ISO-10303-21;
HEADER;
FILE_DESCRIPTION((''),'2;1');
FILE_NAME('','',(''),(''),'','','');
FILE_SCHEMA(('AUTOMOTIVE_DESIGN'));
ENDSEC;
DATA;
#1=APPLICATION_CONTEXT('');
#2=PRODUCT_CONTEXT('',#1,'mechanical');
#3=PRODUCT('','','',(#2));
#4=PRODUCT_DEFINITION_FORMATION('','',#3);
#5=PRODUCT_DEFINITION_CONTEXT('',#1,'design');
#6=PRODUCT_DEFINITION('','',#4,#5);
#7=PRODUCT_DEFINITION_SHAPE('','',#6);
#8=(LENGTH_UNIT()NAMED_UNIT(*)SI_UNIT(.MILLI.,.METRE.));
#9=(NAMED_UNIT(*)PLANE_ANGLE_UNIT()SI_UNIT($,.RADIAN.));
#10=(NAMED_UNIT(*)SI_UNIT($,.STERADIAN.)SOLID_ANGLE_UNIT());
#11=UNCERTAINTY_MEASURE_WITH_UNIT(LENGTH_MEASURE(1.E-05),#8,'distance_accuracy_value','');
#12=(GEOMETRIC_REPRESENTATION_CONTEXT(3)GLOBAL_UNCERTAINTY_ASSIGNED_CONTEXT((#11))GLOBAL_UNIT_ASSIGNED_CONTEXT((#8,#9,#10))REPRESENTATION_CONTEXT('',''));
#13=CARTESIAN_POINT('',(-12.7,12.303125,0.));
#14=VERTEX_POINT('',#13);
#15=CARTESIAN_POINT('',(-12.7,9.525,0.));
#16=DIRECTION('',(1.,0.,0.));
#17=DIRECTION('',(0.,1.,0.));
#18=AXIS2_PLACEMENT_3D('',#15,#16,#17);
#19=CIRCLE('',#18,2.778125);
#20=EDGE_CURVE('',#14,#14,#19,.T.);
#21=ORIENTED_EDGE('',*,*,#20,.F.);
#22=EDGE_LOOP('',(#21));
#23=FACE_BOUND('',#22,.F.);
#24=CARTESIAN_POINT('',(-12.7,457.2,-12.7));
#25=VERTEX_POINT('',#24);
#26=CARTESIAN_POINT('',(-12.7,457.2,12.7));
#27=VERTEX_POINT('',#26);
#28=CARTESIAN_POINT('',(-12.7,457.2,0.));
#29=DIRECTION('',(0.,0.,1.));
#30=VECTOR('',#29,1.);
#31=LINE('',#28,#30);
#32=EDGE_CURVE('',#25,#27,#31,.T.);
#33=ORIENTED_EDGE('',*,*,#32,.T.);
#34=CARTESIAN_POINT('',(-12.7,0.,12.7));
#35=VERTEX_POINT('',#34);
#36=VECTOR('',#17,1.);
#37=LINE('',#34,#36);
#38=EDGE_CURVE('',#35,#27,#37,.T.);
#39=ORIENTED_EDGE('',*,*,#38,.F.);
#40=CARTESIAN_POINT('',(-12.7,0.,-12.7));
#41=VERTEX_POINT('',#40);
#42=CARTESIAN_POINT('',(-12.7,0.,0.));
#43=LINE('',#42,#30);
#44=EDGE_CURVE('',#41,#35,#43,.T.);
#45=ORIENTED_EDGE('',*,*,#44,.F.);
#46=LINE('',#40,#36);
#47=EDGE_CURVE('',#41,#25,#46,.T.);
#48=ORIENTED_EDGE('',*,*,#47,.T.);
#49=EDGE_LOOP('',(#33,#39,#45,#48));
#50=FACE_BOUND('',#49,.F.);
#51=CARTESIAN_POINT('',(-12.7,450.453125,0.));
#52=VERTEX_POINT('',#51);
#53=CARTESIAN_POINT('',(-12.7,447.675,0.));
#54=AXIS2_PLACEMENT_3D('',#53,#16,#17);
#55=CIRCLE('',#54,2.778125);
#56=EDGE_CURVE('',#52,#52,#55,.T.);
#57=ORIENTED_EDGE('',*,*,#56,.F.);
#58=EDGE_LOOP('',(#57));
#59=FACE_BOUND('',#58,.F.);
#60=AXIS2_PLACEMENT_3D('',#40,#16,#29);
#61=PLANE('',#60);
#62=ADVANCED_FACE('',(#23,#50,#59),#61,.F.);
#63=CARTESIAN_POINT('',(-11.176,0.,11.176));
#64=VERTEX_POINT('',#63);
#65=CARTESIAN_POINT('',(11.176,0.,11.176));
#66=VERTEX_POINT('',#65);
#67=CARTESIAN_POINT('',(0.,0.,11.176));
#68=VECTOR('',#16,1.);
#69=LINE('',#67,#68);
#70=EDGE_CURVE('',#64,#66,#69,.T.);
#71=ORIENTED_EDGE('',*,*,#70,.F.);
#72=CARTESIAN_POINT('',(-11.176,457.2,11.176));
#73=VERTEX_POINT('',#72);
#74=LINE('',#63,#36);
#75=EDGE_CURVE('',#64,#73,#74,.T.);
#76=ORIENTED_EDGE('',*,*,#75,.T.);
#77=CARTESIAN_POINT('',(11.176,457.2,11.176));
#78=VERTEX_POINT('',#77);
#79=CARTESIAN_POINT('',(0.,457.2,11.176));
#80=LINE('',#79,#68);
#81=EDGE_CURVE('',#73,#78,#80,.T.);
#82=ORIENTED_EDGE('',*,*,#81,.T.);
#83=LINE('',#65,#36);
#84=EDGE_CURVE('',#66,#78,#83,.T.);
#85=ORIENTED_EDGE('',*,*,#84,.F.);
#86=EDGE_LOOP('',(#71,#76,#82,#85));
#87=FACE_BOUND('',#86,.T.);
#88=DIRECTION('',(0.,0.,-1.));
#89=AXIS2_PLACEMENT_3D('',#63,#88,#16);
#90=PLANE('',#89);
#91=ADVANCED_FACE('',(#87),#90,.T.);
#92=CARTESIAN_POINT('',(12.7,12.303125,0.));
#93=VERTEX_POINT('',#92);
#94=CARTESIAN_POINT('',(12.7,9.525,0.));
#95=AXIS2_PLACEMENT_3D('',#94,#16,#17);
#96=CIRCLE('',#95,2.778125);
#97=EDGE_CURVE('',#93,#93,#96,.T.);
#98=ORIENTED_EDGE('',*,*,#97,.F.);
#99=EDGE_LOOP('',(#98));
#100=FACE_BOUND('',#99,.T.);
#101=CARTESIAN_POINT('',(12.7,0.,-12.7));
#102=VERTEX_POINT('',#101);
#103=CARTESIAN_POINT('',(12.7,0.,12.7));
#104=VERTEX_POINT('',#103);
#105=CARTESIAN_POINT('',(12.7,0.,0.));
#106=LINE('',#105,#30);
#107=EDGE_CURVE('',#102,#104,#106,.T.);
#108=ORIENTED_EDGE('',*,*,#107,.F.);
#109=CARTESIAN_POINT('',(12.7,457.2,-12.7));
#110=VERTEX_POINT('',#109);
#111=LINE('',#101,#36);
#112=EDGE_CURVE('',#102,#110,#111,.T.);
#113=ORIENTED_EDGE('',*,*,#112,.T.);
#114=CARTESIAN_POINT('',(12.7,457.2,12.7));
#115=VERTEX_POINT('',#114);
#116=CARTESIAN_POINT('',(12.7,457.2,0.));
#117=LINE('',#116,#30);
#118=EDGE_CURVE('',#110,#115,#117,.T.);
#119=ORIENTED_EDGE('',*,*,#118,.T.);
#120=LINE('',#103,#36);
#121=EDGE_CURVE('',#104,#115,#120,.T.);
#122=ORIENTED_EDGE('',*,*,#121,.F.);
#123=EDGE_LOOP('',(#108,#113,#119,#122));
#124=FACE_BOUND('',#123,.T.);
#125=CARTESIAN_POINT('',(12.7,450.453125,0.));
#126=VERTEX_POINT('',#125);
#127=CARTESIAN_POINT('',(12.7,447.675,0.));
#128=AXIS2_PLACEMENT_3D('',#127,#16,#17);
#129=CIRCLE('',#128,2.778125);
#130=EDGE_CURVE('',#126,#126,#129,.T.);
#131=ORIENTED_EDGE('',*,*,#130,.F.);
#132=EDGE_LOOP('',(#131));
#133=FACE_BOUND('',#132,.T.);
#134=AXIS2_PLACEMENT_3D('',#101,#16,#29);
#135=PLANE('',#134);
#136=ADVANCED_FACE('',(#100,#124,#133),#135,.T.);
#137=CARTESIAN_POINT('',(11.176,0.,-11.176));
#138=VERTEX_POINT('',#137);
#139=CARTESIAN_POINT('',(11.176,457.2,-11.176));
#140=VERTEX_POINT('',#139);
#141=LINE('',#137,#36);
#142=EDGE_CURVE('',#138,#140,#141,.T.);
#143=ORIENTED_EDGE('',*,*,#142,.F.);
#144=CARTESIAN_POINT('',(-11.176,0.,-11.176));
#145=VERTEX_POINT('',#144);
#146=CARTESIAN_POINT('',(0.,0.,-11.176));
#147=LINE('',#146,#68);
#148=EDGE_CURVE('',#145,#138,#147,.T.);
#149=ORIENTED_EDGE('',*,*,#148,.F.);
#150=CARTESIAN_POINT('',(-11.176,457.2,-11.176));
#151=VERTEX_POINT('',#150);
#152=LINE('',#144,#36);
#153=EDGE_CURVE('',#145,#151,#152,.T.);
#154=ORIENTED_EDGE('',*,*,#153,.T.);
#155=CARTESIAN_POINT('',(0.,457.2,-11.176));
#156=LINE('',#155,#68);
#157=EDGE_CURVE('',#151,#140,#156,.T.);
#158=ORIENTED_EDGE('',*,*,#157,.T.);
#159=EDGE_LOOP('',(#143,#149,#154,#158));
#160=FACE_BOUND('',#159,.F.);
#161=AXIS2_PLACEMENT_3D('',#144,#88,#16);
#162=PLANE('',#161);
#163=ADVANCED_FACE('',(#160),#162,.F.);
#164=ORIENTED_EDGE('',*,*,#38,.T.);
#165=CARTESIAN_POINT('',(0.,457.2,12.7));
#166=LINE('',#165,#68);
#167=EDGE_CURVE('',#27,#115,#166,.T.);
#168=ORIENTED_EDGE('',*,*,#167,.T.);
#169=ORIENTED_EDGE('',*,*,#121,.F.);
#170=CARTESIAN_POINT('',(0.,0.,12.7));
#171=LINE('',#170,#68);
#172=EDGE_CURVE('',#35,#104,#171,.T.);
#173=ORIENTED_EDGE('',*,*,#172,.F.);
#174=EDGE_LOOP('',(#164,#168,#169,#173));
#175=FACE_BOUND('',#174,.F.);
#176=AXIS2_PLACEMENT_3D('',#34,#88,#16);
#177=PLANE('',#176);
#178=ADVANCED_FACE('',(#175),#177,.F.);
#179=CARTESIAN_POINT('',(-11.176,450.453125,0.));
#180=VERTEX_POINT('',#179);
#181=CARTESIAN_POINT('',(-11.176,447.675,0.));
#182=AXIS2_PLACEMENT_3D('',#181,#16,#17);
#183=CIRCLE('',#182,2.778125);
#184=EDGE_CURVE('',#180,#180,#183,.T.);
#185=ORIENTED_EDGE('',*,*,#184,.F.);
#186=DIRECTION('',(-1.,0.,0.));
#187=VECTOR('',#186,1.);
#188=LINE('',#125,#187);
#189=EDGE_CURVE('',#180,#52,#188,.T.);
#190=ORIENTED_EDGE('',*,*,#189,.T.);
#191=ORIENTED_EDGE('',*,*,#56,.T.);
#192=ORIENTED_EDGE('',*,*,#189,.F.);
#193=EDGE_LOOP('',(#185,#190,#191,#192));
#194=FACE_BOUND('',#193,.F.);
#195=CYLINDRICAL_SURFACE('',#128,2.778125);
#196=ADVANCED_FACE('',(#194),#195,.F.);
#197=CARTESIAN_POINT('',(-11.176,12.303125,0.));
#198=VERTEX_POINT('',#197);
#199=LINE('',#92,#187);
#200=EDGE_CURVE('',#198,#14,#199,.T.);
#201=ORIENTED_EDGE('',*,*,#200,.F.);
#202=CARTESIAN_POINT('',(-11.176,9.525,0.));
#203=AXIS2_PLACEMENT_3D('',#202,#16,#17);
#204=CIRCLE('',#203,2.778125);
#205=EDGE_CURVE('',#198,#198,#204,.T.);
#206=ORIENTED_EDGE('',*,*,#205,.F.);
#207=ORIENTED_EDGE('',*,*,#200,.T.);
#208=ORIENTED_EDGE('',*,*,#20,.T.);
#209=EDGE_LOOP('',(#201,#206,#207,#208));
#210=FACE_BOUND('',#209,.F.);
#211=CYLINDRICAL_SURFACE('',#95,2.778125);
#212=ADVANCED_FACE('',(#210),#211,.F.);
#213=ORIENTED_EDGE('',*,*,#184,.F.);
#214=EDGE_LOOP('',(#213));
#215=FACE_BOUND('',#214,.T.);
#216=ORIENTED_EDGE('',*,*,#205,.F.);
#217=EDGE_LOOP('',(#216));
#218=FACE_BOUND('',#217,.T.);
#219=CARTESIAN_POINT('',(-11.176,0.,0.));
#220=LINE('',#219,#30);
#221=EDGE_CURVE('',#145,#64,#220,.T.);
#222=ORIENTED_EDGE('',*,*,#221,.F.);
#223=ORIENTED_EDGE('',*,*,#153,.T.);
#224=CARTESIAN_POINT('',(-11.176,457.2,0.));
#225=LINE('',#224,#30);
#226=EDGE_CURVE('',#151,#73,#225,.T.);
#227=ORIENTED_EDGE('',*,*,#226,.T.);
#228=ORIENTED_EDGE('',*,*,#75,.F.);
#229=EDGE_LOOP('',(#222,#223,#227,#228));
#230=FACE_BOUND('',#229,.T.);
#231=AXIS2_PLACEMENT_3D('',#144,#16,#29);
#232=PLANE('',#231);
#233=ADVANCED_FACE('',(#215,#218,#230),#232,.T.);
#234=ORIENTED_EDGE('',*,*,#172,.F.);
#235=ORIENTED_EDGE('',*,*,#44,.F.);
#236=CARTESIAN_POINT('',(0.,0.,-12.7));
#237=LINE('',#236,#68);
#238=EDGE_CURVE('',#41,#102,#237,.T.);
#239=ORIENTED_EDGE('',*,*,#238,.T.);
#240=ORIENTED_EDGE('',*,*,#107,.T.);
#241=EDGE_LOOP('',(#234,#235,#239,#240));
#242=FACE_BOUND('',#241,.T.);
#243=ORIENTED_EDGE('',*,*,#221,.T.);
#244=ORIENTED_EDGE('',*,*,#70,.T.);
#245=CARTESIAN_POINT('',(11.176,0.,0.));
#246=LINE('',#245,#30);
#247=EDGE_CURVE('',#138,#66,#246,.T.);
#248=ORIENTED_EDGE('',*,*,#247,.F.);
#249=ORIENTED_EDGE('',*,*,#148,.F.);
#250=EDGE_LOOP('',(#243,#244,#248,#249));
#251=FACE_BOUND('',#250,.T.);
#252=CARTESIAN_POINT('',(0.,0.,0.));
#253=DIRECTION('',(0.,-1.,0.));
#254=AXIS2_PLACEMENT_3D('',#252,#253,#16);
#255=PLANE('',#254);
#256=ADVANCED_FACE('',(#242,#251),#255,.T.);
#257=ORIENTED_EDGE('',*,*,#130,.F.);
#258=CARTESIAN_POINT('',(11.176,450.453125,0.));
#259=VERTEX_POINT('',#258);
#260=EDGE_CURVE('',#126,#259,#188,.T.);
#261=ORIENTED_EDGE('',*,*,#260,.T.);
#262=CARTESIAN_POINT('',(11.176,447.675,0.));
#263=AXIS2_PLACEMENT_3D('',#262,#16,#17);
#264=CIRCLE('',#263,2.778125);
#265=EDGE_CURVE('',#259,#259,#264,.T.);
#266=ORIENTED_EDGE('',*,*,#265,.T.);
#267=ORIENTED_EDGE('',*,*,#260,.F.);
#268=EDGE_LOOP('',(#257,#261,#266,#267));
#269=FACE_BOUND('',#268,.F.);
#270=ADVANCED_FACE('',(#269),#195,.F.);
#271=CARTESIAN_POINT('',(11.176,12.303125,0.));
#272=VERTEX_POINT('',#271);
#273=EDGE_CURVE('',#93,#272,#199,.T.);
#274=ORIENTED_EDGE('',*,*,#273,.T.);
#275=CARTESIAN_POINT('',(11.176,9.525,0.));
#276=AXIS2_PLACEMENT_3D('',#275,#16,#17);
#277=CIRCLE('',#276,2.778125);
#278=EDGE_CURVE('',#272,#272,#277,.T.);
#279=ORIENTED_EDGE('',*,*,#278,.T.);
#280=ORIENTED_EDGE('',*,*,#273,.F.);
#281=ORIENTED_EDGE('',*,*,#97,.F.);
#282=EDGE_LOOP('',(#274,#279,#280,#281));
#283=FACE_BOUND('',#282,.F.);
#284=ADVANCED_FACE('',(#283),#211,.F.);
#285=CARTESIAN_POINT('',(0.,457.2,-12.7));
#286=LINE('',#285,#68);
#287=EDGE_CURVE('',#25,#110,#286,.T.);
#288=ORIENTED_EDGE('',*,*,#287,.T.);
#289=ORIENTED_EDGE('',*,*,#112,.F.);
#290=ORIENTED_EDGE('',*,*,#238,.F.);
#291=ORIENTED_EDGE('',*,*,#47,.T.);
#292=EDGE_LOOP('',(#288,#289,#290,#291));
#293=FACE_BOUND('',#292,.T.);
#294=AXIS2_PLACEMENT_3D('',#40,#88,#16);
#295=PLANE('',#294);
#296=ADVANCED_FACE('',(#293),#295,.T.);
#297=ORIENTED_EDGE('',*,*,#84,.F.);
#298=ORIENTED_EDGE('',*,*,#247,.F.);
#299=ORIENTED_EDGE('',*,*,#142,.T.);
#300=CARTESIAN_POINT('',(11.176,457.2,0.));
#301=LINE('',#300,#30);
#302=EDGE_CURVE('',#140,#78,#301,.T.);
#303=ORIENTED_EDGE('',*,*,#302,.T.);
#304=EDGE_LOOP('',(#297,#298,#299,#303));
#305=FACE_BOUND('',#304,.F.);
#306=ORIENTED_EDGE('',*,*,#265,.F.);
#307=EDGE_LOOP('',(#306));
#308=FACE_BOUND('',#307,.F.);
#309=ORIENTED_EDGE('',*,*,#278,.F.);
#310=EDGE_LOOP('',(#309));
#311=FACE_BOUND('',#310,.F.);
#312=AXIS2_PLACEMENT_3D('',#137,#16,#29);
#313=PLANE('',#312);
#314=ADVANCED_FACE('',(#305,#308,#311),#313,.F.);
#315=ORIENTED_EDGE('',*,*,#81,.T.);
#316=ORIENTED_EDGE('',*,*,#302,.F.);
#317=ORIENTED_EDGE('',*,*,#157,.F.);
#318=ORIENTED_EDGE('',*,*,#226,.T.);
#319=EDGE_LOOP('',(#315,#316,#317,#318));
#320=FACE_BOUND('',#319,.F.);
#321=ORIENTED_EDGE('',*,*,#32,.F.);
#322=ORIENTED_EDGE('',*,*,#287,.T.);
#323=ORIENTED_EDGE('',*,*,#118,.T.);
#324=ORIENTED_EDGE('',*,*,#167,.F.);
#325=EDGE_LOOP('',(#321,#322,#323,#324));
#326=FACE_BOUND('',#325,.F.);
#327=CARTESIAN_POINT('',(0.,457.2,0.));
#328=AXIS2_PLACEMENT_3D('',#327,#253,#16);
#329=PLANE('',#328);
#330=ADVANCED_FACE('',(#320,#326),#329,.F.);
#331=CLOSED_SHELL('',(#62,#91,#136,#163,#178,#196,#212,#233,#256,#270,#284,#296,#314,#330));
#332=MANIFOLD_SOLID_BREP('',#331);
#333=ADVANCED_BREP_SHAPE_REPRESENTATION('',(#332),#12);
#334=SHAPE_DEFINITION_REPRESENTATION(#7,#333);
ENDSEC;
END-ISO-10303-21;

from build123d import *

# Parameters (mm, degrees)
F0_W     = 25.4
F0_H     = 25.4
F0_W_2   = 22.352
F0_H_2   = 22.352
F1_DEPTH = 457.2
F2_R     = 2.778125
F3_DEPTH = 25.4
F4_R     = 2.778125
F5_DEPTH = 25.4


with BuildPart() as f1:
    # F0 (on Front) → F1 (new body)
    with BuildSketch(Plane.XZ):
        Rectangle(F0_W, F0_H)
        Rectangle(F0_W_2, F0_H_2, mode=Mode.SUBTRACT)
    extrude(amount=-F1_DEPTH)

    # F2 (on face) → F3 (cut)
    with BuildSketch(Plane.YZ.offset(12.7)):
        with Locations((9.525, 0)):
            Circle(F2_R)
    extrude(amount=-F3_DEPTH, mode=Mode.SUBTRACT)

    # F4 (on face) → F5 (cut)
    with BuildSketch(Plane.YZ.offset(12.7)):
        with Locations((447.675, 0)):
            Circle(F4_R)
    extrude(amount=-F5_DEPTH, mode=Mode.SUBTRACT)


solid = f1.part
